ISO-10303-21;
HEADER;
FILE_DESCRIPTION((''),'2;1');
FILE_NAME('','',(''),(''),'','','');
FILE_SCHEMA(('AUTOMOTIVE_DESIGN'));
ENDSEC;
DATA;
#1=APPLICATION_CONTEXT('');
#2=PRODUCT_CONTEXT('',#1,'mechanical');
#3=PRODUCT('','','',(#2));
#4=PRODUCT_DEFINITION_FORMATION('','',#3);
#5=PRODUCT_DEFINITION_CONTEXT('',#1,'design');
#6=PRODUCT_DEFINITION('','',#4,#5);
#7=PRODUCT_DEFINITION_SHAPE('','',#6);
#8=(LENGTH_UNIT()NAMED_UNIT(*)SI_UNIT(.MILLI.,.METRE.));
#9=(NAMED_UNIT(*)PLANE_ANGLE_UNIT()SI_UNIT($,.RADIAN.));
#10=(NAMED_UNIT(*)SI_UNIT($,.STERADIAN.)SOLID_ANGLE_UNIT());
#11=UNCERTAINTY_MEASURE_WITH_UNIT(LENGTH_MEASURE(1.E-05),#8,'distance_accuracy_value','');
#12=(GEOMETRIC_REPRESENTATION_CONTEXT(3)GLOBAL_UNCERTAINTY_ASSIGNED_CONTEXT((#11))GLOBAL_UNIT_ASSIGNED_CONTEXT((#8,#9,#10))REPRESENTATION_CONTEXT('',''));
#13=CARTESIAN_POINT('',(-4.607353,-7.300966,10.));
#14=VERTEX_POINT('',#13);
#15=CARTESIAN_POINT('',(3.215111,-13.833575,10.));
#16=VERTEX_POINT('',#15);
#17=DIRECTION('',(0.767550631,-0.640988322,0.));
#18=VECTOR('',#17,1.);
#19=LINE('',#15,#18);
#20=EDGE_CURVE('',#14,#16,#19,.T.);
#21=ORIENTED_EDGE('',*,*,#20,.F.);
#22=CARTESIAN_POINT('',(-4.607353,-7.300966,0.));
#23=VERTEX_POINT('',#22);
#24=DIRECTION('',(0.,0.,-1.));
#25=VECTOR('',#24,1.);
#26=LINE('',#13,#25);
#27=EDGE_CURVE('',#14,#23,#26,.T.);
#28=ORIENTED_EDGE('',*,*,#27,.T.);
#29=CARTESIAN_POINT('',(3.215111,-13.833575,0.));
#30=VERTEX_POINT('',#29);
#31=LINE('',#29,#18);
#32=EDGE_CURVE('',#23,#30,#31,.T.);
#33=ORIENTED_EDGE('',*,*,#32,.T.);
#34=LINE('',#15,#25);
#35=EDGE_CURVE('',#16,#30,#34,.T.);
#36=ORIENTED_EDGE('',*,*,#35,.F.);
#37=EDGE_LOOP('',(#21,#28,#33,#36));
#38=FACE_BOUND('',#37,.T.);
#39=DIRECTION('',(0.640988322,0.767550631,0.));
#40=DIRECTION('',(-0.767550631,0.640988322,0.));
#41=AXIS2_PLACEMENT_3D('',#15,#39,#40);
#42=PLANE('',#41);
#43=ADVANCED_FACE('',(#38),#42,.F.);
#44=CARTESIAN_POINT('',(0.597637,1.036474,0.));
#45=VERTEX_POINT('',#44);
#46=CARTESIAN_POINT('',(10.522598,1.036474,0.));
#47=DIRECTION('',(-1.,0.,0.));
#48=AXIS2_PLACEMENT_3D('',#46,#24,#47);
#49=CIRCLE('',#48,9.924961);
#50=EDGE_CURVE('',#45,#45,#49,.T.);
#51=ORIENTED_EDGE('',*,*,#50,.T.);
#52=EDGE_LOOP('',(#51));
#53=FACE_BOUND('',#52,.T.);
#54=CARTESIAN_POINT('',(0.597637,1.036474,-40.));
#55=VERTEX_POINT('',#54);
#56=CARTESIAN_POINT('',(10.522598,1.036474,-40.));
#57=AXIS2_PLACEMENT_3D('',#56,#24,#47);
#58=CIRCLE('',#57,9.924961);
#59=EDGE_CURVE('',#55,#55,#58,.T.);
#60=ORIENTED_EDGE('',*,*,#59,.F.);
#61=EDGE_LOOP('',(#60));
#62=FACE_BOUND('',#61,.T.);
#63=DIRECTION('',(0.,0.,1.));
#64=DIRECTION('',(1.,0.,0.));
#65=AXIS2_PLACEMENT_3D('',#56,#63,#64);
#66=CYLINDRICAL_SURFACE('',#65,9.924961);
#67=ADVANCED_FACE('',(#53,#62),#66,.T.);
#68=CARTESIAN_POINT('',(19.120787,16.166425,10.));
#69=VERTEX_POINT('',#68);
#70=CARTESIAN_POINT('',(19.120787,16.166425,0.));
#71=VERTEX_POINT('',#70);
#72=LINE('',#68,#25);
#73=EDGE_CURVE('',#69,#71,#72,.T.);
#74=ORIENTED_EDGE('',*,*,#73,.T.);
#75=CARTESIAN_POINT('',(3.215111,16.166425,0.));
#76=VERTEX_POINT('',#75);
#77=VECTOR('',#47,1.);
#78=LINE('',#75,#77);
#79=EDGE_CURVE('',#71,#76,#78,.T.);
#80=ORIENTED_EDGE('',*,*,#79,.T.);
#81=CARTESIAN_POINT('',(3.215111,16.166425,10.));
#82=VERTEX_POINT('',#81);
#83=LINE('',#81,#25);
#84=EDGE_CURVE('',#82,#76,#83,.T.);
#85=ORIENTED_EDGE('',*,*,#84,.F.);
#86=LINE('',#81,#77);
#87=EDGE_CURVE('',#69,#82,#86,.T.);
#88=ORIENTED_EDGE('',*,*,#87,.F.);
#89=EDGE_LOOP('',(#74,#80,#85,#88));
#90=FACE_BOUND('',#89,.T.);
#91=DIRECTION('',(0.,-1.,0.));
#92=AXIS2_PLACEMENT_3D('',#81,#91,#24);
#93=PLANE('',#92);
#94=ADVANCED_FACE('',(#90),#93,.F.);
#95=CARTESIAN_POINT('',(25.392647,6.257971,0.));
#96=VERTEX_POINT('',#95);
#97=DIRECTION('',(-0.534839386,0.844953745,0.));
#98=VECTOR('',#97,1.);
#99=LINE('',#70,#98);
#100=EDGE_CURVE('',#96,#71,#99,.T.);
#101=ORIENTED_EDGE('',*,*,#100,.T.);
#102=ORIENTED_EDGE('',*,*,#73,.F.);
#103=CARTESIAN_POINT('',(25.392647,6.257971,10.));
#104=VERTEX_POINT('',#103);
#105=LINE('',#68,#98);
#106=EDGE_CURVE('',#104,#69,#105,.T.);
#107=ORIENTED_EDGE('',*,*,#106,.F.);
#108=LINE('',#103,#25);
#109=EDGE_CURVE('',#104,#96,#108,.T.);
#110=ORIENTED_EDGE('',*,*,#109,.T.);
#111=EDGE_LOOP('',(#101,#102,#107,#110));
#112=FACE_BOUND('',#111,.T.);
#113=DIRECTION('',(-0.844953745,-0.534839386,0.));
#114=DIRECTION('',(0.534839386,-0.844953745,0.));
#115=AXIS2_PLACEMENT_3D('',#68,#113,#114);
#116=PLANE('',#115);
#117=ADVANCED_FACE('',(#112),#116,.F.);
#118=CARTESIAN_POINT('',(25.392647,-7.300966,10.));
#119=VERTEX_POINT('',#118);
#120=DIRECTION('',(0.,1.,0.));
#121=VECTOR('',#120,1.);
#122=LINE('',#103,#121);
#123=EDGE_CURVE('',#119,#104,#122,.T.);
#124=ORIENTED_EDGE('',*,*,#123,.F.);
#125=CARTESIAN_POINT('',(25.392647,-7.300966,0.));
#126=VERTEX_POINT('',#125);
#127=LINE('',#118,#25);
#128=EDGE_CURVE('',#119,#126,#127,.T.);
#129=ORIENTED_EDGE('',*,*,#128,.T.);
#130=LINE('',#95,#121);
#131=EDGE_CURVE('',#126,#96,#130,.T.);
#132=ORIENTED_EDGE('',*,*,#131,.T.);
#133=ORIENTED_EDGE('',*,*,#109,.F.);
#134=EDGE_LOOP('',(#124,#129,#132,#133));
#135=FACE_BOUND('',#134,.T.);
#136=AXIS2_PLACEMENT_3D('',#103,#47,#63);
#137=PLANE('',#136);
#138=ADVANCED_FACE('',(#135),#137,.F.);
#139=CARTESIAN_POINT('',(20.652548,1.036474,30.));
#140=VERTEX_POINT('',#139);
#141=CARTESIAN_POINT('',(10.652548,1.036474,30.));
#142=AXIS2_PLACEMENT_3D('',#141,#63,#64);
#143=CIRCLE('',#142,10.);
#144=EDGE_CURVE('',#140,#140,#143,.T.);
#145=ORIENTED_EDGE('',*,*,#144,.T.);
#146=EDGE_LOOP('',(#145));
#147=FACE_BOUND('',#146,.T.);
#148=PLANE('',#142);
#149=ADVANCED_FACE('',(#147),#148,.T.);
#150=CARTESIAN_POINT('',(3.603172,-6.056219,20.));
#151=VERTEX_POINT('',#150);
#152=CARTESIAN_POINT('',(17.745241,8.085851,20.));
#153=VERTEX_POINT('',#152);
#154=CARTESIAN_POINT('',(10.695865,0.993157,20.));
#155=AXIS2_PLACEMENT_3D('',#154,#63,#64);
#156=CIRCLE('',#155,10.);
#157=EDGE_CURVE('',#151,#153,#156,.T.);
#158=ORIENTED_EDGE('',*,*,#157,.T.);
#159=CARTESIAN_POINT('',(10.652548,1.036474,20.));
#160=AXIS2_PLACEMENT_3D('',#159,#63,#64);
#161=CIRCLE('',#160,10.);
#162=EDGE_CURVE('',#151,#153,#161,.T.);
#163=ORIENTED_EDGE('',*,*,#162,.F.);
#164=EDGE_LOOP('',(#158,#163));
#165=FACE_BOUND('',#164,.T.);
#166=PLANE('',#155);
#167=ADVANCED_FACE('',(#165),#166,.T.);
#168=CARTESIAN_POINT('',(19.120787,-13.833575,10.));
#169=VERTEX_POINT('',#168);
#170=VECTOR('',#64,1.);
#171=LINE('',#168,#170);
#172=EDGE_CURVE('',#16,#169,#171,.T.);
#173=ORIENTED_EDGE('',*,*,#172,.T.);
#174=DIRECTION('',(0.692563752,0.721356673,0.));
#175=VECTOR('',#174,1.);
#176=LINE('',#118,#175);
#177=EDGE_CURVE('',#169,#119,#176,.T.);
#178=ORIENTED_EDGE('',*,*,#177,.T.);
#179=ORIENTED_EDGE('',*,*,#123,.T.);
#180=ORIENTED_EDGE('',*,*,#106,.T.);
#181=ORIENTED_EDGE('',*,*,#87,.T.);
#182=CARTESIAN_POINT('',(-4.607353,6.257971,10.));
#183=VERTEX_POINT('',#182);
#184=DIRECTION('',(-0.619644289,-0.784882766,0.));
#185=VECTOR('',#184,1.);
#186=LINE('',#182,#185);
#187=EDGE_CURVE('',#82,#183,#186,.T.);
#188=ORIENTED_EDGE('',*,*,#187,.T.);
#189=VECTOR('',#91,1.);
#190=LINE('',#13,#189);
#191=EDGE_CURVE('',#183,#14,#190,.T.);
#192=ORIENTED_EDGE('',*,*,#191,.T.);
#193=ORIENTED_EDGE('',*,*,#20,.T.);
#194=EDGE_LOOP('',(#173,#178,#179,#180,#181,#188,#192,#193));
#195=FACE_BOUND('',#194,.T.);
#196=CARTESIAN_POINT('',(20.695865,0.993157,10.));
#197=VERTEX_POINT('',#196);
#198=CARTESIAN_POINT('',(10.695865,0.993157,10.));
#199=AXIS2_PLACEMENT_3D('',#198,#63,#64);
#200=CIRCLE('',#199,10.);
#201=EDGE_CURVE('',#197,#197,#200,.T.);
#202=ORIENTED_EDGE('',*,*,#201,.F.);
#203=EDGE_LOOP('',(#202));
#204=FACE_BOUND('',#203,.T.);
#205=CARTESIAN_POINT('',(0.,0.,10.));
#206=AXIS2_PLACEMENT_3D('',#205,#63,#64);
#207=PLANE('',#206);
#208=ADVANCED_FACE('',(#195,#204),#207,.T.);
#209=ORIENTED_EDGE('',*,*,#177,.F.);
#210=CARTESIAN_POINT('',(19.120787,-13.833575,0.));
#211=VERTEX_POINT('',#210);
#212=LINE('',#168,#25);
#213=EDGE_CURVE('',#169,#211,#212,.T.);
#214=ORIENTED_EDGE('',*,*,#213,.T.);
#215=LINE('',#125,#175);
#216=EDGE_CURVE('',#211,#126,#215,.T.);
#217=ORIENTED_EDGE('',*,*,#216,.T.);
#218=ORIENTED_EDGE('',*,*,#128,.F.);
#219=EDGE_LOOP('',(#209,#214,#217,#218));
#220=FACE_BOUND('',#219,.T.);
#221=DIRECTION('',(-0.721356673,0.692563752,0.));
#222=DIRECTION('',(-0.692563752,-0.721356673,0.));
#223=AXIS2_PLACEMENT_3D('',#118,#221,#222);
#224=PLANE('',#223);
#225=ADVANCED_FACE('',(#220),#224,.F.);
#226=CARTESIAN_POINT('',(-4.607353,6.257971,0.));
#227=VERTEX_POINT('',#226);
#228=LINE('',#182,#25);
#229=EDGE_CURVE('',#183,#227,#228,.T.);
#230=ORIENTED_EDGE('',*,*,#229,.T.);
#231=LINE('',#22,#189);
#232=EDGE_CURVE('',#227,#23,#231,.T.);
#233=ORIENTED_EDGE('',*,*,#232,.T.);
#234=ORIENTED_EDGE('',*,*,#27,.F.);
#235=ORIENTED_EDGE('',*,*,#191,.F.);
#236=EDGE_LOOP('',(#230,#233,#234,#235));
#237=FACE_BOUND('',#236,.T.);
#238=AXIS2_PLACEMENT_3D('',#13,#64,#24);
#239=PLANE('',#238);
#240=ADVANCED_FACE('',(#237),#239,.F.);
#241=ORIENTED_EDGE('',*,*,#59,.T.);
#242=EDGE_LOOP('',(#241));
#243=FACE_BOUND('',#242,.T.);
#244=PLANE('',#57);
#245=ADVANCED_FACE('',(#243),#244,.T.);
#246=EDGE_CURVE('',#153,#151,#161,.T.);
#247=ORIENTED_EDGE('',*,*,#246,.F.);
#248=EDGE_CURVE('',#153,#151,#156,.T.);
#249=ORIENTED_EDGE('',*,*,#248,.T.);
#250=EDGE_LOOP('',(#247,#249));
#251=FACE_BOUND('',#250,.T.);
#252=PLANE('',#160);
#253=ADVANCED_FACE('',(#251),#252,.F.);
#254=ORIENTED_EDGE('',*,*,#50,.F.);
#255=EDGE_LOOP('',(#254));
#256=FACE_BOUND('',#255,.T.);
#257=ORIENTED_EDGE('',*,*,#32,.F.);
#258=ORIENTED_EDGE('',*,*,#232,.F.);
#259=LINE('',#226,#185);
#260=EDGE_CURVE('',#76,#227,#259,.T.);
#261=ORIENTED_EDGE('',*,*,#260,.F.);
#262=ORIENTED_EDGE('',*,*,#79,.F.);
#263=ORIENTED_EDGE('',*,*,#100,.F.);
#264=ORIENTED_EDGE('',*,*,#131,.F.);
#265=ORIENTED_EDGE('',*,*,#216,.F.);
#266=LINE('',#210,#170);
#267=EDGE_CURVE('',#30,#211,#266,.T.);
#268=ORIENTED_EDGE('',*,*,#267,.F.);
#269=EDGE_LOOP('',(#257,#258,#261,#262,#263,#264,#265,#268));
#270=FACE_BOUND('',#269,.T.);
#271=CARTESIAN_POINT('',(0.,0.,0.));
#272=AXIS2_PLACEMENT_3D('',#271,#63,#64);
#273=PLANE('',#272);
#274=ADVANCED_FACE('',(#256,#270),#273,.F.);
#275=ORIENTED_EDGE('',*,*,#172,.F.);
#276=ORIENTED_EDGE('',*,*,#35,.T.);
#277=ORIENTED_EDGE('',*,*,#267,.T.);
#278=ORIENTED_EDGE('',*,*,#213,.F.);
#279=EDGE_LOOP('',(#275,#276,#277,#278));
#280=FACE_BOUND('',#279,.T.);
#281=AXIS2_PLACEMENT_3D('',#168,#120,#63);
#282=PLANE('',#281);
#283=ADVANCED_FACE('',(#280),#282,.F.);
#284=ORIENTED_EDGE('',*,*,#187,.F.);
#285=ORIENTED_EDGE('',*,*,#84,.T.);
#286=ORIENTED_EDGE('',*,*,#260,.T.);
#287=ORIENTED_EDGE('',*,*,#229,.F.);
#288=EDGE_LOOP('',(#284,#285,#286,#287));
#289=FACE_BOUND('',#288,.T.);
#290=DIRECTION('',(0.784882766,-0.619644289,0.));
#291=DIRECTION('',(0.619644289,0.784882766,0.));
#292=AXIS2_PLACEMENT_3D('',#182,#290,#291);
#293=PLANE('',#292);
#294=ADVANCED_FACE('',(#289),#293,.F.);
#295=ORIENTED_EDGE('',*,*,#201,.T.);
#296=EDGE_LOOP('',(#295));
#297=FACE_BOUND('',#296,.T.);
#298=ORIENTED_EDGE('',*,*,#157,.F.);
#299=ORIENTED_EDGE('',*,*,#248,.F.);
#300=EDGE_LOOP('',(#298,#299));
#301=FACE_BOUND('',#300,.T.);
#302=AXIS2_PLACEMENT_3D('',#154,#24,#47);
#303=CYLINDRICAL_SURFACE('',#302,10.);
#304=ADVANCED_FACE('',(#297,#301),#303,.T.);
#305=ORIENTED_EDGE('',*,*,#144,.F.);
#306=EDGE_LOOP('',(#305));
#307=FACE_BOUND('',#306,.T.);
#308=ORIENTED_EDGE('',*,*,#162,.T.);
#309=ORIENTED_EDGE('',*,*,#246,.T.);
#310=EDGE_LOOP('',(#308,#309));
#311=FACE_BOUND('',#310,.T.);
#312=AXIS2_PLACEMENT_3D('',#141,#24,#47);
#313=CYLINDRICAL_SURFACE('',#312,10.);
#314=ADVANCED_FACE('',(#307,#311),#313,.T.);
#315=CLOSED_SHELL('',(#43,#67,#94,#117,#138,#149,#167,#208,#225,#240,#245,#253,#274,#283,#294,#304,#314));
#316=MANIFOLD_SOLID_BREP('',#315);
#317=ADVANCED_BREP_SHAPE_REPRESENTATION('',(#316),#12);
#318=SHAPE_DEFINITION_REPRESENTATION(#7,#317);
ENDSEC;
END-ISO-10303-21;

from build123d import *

# Parameters (mm, degrees)
BOSS_EXTRUDE1_DEPTH = 10
SKETCH2_R           = 10
BOSS_EXTRUDE2_DEPTH = 10
SKETCH3_R           = 10
BOSS_EXTRUDE3_DEPTH = 10
SKETCH4_R           = 9.92496084
BOSS_EXTRUDE4_DEPTH = 40


with BuildPart() as part:
    # Sketch1 → Boss-Extrude1 (new body)
    with BuildSketch(Plane.XY):
        Polygon((3.215110596, 16.166425121), (19.120786924, 16.166425121), (25.392646828, 6.257971014), (25.392646828, -7.300966184), (19.120786924, -13.833574879), (3.215110596, -13.833574879), (-4.607353172, -7.300966184), (-4.607353172, 6.257971014), align=None)
    extrude(amount=BOSS_EXTRUDE1_DEPTH)

    # Sketch2 → Boss-Extrude2 (add)
    with BuildSketch(Plane.XY.offset(10)):
        with Locations((10.695865166, 0.993157499)):
            Circle(SKETCH2_R)
    extrude(amount=BOSS_EXTRUDE2_DEPTH)

    # Sketch3 → Boss-Extrude3 (add)
    with BuildSketch(Plane.XY.offset(20)):
        with Locations((10.65254826, 1.036474405)):
            Circle(SKETCH3_R)
    extrude(amount=BOSS_EXTRUDE3_DEPTH)

    # Sketch4 → Boss-Extrude4 (add)
    with BuildSketch(Plane(origin=(0, 0, 0), x_dir=(-1, 0, 0), z_dir=(0, 0, -1))):
        with Locations((-10.522597544, 1.036474405)):
            Circle(SKETCH4_R)
    extrude(amount=BOSS_EXTRUDE4_DEPTH)


solid = part.part
